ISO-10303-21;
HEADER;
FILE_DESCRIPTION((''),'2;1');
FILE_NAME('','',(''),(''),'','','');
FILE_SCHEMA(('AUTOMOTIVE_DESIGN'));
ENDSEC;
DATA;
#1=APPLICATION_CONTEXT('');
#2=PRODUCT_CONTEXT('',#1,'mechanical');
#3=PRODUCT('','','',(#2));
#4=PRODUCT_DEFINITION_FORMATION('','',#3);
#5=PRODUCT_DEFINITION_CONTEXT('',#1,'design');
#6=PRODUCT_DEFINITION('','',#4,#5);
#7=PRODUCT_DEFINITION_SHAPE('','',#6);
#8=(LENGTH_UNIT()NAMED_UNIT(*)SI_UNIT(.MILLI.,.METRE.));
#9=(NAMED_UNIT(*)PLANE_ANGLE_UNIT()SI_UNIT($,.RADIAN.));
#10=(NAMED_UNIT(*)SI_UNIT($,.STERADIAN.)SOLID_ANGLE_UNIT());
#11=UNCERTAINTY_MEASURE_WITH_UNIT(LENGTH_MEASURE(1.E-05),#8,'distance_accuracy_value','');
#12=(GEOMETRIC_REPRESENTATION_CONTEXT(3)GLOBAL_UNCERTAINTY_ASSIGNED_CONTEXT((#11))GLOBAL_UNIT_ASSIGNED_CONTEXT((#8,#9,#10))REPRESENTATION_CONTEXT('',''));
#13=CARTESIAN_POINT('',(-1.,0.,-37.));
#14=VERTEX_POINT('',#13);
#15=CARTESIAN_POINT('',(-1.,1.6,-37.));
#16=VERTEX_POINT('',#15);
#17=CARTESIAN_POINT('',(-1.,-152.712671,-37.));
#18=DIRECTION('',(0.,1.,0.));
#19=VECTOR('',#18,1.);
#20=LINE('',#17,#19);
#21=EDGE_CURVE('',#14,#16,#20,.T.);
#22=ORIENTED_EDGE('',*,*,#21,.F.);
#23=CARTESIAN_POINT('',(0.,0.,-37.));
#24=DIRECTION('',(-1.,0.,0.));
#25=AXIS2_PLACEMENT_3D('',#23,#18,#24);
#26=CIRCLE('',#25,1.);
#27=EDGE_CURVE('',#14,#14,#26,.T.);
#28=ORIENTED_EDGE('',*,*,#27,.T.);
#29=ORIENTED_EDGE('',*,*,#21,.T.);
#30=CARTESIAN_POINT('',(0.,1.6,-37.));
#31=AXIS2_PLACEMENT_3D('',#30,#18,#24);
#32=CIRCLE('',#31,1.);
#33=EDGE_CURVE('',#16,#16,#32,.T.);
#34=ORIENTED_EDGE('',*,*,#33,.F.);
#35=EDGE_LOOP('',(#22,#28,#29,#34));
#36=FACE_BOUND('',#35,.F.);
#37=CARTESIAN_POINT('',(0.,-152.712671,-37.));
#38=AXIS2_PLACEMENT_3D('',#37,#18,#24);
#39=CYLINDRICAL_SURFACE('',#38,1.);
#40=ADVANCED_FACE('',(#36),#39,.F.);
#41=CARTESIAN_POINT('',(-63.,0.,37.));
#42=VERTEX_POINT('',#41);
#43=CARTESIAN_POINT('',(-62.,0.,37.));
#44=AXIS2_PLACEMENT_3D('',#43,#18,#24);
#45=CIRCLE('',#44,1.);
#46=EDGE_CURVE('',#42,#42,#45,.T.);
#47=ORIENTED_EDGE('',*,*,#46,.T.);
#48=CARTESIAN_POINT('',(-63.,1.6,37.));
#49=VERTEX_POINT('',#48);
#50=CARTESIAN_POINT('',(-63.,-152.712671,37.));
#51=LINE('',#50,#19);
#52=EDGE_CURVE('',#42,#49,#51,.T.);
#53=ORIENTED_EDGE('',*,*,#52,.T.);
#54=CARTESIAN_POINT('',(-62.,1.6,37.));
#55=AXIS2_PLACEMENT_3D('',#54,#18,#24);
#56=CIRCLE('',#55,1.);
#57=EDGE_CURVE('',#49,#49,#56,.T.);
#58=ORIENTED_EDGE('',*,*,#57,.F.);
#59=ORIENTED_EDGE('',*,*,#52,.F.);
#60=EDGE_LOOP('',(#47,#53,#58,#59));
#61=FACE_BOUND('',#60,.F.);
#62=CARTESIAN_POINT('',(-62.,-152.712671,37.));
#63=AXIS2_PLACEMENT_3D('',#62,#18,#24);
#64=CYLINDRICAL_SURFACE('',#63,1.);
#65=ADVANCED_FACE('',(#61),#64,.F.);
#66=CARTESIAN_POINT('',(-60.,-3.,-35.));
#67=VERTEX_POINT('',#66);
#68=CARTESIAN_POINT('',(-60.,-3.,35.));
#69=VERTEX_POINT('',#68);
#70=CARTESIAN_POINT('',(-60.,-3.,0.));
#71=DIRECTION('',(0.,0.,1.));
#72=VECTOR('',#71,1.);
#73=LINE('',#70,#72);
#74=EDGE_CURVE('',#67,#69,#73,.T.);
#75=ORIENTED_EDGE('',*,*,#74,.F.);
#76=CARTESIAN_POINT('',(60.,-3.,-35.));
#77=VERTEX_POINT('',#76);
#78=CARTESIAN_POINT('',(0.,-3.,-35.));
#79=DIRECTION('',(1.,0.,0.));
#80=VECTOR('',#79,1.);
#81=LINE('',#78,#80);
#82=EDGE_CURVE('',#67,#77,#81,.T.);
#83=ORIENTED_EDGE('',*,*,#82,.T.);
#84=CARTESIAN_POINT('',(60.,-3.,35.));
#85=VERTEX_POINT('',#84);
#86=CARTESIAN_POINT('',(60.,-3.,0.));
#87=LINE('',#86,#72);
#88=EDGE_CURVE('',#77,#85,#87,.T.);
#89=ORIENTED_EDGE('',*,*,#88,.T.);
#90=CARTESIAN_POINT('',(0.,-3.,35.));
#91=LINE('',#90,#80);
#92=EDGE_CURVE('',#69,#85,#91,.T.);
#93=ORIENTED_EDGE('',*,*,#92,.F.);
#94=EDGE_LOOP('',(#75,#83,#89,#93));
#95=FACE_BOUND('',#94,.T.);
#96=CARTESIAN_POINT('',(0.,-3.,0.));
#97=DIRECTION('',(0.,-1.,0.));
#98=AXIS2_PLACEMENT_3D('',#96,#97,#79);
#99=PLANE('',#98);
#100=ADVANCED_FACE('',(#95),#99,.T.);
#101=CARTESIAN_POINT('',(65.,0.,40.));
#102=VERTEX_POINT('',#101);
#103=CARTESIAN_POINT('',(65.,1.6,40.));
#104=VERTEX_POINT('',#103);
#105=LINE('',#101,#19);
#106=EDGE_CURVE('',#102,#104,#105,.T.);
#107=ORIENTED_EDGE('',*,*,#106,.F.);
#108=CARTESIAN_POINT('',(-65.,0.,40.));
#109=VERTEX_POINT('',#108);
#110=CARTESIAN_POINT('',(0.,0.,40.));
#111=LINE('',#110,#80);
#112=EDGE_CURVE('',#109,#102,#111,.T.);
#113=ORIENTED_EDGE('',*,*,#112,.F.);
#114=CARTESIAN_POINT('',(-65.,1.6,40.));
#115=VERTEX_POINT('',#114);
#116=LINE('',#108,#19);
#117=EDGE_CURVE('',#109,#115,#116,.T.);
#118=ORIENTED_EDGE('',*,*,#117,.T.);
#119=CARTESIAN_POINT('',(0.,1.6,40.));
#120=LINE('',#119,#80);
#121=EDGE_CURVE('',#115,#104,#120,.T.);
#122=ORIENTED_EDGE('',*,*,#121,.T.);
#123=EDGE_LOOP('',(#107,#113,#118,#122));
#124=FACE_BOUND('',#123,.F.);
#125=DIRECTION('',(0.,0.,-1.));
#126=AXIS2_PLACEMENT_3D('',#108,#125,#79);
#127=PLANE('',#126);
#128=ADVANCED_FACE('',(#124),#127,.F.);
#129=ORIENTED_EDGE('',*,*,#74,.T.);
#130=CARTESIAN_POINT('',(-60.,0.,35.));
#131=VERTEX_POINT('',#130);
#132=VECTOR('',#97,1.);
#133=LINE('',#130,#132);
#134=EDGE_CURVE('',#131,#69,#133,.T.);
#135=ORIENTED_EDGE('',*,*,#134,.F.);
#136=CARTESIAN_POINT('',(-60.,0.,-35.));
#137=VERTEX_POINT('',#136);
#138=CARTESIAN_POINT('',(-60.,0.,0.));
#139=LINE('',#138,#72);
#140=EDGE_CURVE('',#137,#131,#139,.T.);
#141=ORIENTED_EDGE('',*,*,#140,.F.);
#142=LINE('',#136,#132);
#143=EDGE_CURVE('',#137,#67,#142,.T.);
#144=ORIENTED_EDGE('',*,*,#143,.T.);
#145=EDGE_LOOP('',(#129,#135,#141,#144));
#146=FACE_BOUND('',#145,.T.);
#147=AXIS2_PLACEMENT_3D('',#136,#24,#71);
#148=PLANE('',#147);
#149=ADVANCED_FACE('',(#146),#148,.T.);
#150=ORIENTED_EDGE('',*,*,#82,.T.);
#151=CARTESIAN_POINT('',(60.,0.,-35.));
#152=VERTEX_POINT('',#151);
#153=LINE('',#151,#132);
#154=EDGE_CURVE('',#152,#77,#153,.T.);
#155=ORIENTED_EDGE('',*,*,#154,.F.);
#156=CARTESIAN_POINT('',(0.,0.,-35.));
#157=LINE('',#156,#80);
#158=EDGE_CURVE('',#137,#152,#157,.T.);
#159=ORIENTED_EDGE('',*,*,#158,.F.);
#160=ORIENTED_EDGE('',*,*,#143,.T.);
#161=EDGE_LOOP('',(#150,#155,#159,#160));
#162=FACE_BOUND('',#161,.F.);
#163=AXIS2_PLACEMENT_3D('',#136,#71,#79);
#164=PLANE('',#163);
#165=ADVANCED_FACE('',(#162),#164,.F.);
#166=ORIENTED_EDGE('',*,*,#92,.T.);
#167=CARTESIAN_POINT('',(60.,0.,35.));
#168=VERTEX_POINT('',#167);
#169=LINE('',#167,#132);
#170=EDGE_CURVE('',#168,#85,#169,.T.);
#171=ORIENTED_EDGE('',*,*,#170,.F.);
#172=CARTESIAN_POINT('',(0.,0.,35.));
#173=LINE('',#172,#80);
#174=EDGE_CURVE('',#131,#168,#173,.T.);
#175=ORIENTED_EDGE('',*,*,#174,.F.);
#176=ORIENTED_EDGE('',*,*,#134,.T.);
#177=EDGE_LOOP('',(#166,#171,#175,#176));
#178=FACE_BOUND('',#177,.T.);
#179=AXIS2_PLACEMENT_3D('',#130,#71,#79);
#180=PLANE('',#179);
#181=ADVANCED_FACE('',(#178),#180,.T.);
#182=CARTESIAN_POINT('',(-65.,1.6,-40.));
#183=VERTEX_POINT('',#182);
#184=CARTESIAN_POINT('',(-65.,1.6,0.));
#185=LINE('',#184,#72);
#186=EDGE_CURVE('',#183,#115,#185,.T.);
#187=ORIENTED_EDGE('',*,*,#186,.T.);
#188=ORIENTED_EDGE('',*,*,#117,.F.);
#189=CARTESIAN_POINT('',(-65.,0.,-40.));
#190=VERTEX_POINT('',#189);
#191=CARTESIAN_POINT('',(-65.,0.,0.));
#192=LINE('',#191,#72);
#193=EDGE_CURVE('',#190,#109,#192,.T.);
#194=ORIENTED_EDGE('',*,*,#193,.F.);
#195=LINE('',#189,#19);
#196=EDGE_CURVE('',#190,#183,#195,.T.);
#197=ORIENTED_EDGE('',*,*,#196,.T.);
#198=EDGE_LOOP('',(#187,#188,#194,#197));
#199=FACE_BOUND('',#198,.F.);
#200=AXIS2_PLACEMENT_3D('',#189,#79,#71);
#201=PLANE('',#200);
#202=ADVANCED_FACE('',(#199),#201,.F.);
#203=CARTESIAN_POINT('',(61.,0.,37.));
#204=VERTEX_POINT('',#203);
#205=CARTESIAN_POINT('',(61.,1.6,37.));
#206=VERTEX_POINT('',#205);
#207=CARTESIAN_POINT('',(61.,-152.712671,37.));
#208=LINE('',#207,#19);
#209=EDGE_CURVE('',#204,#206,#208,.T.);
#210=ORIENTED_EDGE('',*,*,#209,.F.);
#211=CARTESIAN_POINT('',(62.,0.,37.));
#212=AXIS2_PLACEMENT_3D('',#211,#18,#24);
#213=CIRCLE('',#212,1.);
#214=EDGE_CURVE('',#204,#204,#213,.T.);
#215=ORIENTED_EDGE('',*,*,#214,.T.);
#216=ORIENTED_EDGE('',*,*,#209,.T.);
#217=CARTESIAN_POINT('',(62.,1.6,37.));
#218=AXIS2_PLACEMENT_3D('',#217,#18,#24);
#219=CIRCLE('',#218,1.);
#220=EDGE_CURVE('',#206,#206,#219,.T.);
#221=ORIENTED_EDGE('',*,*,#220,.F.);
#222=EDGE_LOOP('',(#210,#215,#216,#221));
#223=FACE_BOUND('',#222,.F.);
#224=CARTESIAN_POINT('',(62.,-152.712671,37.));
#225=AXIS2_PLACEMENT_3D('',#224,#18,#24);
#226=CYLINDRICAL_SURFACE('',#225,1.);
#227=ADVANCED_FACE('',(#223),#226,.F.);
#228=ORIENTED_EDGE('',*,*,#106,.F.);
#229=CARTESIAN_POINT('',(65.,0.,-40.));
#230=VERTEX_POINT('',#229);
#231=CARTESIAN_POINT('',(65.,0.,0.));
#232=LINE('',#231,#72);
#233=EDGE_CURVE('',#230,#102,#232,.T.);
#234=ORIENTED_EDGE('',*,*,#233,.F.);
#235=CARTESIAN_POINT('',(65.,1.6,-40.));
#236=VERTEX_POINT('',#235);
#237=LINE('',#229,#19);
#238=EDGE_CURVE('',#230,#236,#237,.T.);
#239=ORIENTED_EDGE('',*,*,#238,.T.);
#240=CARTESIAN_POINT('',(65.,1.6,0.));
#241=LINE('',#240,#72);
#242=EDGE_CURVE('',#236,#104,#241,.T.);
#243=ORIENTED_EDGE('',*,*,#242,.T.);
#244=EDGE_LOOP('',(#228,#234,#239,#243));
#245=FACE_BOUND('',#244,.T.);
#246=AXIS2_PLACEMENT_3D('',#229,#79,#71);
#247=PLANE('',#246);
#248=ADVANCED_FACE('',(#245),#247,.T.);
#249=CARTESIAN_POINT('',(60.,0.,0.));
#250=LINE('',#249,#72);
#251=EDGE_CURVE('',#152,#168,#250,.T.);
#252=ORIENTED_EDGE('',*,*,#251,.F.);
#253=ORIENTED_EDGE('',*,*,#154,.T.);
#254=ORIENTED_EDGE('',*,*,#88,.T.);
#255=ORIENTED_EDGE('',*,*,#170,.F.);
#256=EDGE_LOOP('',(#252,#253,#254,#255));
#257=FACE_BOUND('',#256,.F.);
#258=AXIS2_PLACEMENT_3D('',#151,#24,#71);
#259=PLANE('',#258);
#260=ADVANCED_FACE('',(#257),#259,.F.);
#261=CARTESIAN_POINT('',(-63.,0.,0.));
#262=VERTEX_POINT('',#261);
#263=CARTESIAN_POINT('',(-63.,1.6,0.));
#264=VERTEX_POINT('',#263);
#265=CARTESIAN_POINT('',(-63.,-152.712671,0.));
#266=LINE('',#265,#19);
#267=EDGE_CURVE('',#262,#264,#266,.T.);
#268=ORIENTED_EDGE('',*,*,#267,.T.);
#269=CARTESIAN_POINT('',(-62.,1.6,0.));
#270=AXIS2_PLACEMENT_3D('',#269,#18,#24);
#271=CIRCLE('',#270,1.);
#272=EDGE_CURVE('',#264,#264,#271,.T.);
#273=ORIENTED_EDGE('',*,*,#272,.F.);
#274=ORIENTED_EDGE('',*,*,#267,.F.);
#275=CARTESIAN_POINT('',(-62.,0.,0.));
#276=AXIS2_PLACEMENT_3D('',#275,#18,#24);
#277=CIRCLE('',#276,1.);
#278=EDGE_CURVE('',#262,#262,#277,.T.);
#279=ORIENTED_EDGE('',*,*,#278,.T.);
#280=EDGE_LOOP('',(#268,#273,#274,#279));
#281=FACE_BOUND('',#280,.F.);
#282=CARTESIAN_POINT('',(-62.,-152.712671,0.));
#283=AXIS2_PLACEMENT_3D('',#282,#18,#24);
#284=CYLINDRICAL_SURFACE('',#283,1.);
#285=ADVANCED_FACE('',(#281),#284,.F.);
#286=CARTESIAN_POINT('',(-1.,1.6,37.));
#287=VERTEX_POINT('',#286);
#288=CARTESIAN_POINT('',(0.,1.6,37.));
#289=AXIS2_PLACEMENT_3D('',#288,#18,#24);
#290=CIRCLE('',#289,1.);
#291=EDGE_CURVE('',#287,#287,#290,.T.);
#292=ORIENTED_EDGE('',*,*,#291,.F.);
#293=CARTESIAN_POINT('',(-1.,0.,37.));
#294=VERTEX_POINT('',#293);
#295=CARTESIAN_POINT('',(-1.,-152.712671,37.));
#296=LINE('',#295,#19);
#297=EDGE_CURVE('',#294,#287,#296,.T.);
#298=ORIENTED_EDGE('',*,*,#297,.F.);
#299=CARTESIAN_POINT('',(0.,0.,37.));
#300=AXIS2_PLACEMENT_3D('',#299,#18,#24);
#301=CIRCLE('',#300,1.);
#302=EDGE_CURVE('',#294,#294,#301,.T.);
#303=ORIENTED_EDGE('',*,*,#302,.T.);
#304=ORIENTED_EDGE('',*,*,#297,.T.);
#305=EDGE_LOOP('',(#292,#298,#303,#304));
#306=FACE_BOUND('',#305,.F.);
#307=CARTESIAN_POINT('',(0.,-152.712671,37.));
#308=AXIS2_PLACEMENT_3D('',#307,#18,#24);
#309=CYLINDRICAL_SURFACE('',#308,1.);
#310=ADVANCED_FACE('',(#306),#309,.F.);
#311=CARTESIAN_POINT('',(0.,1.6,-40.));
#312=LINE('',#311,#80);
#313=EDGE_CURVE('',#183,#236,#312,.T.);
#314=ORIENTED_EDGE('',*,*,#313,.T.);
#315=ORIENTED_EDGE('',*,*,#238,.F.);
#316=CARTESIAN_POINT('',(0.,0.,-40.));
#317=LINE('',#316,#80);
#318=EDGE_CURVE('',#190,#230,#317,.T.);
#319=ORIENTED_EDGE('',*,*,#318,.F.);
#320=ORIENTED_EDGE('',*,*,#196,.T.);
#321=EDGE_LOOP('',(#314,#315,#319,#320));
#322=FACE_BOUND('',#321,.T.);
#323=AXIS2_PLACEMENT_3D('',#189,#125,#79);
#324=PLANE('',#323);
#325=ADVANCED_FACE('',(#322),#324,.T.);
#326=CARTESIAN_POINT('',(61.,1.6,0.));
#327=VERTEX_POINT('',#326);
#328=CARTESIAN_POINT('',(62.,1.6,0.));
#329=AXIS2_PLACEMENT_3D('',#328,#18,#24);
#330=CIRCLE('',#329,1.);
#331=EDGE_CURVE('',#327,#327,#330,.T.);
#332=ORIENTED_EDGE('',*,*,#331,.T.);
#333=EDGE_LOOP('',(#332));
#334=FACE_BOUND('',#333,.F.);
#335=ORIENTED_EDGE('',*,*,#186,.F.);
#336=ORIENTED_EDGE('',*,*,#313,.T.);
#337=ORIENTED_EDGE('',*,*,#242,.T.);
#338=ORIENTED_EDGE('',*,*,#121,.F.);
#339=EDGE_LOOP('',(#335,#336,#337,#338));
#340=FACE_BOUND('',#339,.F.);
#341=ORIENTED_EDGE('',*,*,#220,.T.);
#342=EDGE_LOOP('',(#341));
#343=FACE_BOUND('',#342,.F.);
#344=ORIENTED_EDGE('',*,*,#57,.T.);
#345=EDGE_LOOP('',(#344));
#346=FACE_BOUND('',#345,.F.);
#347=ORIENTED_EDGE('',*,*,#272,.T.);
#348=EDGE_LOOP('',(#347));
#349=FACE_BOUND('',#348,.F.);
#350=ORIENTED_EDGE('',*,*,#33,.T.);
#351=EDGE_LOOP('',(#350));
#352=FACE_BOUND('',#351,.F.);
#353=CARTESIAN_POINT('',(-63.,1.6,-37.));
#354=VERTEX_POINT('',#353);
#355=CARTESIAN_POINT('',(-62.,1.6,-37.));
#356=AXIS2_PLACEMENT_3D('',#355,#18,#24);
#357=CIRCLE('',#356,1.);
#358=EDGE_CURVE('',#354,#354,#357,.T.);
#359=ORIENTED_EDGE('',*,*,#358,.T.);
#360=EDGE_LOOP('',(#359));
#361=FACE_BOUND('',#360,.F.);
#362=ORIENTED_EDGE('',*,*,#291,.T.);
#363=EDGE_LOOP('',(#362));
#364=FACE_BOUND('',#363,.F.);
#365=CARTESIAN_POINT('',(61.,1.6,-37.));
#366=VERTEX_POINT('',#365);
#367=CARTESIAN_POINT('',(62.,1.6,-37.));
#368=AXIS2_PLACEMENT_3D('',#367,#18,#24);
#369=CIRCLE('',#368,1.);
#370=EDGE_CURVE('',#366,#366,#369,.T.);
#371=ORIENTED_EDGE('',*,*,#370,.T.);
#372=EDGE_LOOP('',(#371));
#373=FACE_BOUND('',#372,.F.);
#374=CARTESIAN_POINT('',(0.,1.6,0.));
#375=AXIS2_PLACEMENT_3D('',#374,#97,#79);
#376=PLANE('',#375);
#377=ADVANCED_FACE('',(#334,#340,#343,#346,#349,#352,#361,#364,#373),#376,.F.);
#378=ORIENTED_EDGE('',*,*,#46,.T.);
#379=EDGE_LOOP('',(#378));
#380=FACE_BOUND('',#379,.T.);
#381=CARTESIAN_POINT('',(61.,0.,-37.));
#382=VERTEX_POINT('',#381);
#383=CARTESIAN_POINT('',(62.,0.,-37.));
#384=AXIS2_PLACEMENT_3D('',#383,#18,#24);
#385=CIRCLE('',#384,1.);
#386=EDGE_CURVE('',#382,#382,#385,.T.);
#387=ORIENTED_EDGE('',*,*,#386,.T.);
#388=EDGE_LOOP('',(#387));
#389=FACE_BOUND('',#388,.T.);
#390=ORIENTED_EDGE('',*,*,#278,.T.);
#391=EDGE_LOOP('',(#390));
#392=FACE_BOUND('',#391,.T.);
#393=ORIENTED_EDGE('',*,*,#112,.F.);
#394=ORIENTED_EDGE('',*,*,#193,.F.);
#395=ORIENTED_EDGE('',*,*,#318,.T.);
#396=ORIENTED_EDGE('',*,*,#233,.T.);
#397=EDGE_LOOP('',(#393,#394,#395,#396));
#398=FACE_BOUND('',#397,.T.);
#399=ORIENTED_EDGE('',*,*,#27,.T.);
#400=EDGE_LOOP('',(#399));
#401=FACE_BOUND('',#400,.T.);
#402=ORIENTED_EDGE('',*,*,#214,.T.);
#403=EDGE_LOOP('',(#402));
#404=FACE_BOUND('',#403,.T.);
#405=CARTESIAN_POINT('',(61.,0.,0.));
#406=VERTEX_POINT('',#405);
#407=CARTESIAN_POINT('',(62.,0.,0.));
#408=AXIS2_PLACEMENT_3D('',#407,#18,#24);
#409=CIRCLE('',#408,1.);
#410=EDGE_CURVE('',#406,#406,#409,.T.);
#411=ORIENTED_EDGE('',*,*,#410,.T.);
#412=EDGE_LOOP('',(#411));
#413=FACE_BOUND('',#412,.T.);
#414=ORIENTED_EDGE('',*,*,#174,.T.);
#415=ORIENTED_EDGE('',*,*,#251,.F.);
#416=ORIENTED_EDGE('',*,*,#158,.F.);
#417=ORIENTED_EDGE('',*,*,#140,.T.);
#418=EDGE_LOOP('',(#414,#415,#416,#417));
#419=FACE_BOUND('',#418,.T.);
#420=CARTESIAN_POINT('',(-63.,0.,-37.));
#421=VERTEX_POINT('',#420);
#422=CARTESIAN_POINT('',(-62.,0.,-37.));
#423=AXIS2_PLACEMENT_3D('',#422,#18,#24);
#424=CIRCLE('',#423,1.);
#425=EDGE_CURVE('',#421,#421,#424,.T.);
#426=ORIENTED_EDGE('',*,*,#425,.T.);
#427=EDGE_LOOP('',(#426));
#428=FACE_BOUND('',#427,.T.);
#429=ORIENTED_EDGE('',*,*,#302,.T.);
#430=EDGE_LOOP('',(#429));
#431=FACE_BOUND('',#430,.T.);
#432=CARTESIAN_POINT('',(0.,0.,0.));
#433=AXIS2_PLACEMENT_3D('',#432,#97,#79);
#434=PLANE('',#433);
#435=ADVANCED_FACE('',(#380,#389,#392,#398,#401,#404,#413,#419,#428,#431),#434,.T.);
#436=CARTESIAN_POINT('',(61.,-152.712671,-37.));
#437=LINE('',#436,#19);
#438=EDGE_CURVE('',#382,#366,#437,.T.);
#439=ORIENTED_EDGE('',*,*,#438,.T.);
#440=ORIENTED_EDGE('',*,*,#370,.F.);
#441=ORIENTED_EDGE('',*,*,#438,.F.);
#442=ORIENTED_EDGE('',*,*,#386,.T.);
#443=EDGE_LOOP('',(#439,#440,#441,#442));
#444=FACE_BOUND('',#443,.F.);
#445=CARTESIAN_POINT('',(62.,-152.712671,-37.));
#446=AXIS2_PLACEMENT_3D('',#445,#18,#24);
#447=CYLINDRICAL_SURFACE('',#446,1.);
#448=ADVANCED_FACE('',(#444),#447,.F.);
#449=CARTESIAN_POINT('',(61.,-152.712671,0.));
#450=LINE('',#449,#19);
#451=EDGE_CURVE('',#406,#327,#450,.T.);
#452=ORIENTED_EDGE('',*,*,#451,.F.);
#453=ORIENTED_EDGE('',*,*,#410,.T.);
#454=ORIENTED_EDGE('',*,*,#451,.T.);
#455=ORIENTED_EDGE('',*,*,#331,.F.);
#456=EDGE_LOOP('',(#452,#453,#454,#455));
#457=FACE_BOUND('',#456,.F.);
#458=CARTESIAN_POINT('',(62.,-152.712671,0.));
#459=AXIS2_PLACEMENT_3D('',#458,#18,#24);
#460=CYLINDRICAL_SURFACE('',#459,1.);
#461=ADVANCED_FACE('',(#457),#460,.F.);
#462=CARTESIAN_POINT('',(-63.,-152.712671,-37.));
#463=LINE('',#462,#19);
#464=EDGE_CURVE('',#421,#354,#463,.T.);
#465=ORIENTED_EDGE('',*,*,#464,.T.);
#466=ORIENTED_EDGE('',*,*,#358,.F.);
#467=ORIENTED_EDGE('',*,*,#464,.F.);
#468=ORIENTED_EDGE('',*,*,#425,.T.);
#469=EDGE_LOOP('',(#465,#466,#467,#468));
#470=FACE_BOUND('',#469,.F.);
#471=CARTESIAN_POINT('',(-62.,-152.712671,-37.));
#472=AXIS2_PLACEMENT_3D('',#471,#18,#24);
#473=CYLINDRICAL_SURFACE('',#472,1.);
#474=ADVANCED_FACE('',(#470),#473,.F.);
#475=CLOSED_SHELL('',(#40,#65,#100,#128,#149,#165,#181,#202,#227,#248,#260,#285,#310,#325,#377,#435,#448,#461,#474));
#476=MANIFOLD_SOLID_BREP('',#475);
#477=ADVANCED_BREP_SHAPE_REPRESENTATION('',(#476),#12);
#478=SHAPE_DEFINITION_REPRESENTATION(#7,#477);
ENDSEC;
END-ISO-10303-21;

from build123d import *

# Parameters (mm, degrees)
F0_W     = 120
F0_H     = 70
F2_DEPTH = 3
F1_W     = 130
F1_H     = 80
F3_DEPTH = 1.6
F4_D     = 2


with BuildPart() as f2:
    # F0 (on Front) → F2 (new body)
    with BuildSketch(Plane.XZ):
        Rectangle(F0_W, F0_H)
    extrude(amount=F2_DEPTH)

    # F1 (on Front) → F3 (join)
    with BuildSketch(Plane.XZ):
        Rectangle(F1_W, F1_H)
    extrude(amount=-F3_DEPTH)

    # F4 (through all)
    with Locations(Plane.XZ):
        with Locations((62, 37), (62, 0), (62, -37), (0, -37), (0, 37), (-62, 37), (-62, 0), (-62, -37)):
            Hole(F4_D / 2)


solid = f2.part
